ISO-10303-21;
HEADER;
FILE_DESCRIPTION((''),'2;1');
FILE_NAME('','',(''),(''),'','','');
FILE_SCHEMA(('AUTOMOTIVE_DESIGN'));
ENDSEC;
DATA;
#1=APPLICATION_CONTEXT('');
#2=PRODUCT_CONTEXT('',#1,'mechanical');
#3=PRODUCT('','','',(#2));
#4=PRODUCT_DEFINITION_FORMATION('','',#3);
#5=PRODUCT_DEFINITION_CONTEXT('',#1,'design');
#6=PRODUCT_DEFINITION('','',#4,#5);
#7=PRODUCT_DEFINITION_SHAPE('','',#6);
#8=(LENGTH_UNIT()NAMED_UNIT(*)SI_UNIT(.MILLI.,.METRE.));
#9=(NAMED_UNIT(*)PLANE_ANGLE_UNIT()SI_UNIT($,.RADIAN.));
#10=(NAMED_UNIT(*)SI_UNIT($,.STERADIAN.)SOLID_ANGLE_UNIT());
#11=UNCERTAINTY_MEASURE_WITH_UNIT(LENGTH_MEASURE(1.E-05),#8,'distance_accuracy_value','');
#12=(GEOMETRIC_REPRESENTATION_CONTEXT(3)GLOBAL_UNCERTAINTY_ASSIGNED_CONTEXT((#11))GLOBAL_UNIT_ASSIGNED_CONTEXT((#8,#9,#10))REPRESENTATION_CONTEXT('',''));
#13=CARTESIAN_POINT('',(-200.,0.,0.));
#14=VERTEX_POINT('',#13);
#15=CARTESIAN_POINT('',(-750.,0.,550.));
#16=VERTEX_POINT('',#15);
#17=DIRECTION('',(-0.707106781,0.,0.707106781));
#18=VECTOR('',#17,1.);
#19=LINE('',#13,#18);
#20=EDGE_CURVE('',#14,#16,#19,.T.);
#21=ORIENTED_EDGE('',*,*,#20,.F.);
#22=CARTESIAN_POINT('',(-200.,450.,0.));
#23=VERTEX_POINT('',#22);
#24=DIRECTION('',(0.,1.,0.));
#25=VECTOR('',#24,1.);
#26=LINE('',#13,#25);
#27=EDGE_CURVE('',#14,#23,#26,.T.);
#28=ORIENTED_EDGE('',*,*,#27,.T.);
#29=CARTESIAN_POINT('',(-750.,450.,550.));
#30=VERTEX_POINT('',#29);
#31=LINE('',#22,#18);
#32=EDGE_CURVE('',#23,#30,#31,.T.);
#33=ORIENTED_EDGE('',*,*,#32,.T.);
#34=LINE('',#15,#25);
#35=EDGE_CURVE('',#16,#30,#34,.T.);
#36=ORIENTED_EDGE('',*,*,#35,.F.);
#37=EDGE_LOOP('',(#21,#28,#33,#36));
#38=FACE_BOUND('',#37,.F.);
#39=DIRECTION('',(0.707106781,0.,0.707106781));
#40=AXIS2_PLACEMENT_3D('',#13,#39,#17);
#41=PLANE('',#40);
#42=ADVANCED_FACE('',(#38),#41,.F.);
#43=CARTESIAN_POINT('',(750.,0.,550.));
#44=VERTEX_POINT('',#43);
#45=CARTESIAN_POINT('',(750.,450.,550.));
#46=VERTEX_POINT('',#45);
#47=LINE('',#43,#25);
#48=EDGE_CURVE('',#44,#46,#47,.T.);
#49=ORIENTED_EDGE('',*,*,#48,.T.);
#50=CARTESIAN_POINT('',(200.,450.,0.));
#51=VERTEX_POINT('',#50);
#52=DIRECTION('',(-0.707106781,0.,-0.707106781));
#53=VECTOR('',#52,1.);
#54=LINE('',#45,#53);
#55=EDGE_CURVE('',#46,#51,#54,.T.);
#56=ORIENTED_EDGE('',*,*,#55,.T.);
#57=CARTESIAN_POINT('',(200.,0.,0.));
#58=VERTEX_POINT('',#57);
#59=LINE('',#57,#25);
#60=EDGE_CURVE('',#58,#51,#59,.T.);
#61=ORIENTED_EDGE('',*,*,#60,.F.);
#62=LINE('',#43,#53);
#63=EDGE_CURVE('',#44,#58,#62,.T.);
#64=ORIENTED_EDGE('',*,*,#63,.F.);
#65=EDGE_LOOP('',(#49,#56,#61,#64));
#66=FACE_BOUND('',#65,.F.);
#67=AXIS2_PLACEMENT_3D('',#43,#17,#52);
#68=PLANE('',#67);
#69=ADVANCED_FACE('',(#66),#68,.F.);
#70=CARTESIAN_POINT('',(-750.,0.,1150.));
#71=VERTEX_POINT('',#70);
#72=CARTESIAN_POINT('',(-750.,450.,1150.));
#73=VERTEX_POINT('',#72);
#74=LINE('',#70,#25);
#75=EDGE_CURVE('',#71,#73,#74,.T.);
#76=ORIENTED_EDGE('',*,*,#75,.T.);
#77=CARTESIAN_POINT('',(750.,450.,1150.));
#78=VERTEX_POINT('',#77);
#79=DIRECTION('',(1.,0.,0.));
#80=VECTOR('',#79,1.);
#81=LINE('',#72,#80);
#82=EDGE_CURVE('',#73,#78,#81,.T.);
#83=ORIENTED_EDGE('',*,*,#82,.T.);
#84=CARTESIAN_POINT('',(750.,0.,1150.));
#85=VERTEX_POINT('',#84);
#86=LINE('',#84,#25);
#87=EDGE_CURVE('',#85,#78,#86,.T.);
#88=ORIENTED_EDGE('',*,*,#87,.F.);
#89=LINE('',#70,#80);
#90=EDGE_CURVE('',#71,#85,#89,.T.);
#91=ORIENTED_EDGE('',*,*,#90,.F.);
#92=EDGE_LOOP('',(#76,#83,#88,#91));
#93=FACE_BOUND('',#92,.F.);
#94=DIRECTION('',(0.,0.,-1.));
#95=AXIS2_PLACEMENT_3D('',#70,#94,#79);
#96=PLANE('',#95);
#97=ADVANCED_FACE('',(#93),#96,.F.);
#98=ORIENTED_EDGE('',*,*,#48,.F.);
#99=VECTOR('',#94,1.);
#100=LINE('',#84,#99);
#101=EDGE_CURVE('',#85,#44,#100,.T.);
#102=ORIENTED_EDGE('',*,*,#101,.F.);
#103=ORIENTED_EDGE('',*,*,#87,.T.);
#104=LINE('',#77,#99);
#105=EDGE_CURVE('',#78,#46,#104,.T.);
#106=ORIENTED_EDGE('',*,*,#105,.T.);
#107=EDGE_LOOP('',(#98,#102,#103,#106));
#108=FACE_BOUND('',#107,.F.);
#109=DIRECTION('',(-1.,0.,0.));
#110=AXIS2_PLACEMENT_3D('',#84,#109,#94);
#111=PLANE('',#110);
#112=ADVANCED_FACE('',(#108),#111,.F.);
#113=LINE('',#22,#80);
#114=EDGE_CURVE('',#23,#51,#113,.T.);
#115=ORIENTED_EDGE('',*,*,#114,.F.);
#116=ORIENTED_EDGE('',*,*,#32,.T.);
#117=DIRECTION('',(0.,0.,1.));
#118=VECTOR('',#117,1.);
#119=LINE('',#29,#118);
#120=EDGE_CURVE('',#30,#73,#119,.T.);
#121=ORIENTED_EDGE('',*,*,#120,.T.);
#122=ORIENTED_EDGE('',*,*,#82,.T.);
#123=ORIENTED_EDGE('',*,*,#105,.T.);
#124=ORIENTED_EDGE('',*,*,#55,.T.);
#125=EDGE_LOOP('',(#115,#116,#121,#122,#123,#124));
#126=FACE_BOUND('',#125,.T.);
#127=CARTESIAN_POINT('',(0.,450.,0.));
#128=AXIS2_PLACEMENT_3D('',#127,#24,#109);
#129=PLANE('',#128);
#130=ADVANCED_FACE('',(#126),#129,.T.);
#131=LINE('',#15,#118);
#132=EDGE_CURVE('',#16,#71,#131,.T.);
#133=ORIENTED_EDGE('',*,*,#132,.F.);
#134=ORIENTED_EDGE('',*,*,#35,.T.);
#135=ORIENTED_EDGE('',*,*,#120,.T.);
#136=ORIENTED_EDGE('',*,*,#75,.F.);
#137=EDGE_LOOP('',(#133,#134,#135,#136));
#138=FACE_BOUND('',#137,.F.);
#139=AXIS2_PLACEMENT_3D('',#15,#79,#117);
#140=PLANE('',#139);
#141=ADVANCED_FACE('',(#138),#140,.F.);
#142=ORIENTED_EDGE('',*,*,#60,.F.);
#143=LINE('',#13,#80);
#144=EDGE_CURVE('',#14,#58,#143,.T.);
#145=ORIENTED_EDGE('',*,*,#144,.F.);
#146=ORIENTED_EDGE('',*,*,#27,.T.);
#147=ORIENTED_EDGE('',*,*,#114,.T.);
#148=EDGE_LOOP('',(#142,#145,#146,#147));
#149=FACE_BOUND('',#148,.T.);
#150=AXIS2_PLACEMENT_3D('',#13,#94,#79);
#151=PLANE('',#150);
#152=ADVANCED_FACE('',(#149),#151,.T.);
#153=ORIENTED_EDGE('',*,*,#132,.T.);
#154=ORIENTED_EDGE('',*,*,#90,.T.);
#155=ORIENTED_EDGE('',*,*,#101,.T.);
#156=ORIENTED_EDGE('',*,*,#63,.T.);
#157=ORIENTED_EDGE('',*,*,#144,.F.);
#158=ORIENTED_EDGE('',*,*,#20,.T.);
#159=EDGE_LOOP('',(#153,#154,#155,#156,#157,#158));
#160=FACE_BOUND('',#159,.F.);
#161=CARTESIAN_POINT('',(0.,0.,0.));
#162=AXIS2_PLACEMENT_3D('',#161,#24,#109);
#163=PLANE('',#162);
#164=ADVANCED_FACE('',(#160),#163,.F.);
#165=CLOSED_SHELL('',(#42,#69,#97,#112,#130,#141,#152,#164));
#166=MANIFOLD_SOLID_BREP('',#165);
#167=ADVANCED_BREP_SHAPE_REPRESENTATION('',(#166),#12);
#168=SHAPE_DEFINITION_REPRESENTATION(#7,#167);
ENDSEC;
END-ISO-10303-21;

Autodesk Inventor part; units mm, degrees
ref_plane "YZ Plane" through (0, 0, 0) normal (1, 0, 0) x (0, 1, 0)
ref_plane "XZ Plane" through (0, 0, 0) normal (0, 1, 0) x (-1, 0, 0)
ref_plane "XY Plane" through (0, 0, 0) normal (0, 0, 1) x (1, 0, 0)
sketch "Sketch1" plane through (0, 0, 0) normal (0, 1, 0) x (-1, 0, 0)
  line L0 (200, 0) -> (-200, 0)
  line L1 (200, 0) -> (750, 550)
  line L2 (750, 550) -> (750, 1150)
  line L3 (750, 1150) -> (-750, 1150)
  line L4 (-750, 1150) -> (-750, 550)
  line L5 (-750, 550) -> (-200, 0)
  point P0 (0, 0)
  point P1 (0, 0)
  point P2 (0, 1150)
  dimension "d0" = 400
  dimension "d1" = 1150
  dimension "d2" = 600
  dimension "d3" = 1500
extrude "Extrusion1" add sketch "Sketch1" along normal blind 450
properties part number "DUMMY 2"
